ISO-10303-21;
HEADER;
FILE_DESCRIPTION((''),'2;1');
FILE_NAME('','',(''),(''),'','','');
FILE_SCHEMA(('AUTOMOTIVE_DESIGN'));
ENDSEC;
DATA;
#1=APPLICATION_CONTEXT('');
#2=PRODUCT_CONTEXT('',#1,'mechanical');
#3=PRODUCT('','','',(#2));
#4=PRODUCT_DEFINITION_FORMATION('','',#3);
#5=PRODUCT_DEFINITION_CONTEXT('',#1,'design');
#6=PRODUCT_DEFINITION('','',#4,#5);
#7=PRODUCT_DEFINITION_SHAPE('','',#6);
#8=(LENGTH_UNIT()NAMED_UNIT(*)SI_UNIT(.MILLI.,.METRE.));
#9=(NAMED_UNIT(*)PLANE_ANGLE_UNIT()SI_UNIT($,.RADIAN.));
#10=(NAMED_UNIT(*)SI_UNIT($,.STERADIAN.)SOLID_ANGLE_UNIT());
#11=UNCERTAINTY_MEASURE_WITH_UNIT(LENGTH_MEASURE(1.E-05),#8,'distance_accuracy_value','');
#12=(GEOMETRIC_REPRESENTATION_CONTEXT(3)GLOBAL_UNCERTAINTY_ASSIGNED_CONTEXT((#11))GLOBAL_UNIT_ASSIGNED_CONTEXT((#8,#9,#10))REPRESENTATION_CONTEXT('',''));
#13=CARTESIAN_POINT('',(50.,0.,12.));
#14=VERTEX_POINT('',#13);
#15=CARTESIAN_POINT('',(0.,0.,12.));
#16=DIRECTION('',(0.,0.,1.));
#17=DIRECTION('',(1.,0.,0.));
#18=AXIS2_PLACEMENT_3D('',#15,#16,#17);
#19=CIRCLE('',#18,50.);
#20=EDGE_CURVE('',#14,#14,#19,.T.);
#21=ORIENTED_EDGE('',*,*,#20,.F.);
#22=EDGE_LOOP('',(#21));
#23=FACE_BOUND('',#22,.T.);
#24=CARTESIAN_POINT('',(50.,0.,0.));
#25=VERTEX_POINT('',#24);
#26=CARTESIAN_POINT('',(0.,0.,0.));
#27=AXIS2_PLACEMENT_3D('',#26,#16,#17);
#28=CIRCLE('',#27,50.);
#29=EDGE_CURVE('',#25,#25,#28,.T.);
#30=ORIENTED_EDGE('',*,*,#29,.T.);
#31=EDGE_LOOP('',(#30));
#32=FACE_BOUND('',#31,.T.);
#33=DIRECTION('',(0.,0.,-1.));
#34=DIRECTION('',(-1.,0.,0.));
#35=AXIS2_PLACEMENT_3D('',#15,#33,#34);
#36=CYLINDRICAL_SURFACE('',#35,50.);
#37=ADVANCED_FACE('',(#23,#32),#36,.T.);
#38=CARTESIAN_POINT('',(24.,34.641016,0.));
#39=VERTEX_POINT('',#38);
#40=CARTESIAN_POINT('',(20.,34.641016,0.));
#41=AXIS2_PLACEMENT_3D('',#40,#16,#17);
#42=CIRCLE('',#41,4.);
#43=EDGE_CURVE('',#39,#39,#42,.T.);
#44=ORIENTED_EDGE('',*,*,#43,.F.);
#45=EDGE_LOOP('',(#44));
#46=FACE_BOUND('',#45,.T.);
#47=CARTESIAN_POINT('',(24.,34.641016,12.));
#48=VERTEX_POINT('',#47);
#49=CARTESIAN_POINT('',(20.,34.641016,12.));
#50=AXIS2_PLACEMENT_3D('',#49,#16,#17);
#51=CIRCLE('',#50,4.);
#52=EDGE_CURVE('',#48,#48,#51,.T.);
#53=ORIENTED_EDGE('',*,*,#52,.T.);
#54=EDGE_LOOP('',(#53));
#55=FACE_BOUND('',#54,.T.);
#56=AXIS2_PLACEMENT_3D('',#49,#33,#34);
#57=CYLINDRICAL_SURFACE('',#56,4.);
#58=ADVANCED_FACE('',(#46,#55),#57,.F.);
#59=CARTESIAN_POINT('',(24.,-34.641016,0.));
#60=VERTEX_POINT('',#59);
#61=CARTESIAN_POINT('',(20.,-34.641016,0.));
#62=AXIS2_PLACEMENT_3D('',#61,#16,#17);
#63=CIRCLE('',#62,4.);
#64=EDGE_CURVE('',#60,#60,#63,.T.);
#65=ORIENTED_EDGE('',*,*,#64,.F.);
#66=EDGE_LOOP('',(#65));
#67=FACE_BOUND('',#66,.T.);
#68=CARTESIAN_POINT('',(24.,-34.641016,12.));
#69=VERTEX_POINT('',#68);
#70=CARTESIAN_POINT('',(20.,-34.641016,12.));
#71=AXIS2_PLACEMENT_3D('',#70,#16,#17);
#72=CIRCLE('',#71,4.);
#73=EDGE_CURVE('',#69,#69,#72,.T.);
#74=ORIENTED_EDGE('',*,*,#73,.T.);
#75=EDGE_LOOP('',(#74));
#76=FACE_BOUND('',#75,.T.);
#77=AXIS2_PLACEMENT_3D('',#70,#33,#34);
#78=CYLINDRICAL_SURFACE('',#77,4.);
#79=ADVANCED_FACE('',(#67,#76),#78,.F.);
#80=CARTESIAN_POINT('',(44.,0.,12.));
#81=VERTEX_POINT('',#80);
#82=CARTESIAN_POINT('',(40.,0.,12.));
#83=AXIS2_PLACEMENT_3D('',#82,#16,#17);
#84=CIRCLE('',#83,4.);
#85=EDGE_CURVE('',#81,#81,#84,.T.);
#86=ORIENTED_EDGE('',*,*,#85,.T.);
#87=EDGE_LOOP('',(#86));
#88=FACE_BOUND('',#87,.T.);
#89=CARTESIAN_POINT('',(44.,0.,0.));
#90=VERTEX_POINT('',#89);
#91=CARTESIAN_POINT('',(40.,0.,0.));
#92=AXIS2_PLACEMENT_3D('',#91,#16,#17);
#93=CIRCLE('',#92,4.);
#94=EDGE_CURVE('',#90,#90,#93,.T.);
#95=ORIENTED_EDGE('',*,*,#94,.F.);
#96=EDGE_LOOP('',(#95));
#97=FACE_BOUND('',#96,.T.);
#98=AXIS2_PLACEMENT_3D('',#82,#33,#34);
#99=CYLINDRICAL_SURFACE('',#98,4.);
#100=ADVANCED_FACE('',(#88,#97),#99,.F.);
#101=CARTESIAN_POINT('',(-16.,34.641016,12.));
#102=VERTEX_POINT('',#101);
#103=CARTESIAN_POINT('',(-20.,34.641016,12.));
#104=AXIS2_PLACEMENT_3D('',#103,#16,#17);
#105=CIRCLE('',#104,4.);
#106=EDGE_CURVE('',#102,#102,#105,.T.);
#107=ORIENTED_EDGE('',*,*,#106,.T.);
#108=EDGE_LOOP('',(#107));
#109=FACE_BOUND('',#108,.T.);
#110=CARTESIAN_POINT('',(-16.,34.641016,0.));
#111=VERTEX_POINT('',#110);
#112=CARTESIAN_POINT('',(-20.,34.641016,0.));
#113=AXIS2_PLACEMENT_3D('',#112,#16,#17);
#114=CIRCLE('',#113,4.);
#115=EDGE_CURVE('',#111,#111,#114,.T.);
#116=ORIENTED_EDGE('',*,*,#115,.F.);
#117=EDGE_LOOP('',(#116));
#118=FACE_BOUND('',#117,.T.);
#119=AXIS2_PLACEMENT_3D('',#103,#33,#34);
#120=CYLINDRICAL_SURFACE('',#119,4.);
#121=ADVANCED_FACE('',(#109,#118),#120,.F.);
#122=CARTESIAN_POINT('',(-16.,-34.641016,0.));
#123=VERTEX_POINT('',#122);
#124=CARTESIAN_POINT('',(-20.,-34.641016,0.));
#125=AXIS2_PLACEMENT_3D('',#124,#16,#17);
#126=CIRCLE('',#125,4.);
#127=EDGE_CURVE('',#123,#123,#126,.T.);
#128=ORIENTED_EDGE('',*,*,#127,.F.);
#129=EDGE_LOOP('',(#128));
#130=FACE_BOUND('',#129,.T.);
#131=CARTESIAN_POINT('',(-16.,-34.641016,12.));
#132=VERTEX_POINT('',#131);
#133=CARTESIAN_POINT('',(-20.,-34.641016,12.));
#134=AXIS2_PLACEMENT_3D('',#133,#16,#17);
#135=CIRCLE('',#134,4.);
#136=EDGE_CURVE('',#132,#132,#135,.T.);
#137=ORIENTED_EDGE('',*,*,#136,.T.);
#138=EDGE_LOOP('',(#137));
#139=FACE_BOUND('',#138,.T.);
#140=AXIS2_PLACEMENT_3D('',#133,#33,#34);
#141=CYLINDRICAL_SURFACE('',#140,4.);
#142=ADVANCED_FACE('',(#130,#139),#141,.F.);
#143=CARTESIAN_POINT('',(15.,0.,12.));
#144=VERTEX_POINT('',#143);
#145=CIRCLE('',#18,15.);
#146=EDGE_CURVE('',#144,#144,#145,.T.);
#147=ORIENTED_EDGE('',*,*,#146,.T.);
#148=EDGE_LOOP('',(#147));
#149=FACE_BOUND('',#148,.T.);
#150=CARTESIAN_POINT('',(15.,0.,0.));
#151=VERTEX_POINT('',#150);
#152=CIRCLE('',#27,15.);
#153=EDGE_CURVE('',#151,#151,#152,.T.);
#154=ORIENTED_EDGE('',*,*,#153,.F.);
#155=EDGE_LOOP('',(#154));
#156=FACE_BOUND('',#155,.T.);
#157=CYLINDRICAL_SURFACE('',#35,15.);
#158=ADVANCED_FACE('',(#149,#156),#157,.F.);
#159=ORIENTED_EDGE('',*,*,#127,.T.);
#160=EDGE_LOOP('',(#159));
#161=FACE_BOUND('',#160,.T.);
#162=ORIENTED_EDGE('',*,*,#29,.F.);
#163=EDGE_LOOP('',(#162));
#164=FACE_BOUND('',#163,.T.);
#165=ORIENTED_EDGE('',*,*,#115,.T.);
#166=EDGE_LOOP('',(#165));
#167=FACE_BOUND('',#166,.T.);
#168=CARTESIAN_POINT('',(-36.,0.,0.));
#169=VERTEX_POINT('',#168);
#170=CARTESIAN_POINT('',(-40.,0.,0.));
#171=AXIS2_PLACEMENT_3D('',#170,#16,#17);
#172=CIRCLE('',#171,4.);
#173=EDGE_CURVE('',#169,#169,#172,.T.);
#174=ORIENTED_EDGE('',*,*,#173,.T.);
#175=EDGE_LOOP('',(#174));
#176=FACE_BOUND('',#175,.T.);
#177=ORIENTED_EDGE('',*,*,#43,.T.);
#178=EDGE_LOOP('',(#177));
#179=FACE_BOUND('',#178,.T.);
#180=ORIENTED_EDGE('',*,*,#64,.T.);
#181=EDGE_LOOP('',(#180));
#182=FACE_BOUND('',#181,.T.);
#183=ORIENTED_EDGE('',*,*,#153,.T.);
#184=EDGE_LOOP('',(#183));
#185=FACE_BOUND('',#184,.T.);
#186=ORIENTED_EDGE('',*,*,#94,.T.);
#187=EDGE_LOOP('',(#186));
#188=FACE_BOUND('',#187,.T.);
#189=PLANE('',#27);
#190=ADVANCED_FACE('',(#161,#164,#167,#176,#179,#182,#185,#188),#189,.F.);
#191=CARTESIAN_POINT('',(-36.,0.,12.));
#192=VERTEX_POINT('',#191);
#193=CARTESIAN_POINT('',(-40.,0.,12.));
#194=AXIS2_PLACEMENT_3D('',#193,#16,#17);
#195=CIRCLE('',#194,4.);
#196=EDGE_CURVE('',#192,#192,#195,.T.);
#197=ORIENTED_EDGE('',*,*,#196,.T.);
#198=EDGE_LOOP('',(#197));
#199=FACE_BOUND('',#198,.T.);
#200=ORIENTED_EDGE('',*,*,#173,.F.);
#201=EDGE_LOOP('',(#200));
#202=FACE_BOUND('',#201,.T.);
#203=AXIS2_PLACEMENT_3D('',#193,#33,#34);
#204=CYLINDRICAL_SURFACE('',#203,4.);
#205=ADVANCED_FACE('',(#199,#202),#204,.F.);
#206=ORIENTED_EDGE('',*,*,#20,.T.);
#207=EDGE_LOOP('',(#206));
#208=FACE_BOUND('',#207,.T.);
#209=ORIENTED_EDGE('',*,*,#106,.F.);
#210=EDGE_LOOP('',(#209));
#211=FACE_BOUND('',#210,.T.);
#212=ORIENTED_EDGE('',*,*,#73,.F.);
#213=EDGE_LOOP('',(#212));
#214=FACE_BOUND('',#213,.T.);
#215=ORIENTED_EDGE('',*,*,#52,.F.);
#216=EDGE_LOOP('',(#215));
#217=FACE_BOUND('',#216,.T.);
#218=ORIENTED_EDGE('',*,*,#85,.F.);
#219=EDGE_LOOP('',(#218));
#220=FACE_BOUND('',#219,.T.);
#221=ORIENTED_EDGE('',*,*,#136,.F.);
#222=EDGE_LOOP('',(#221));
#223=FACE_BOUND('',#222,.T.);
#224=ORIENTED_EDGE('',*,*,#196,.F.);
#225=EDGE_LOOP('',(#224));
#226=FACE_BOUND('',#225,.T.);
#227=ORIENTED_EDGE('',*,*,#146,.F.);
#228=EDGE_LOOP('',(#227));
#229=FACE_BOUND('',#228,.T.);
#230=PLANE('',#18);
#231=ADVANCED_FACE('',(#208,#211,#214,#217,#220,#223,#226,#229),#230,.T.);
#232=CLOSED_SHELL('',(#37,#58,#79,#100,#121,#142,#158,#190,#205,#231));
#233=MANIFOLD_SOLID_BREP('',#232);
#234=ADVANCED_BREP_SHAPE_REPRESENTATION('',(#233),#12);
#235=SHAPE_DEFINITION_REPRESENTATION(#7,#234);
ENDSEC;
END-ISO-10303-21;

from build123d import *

# Parameters (mm, degrees)
SKETCH_1_R          = 50
SKETCH_1_R_2        = 15
EXTRUDE_1_DEPTH     = 12
SKETCH_2_R          = 4
CUT_EXTRUDE_1_DEPTH = 72.721684308


with BuildPart() as part:
    # 草图1 → 凸台-拉伸1 (new body)
    with BuildSketch(Plane.XY):
        Circle(SKETCH_1_R)
        Circle(SKETCH_1_R_2, mode=Mode.SUBTRACT)
    extrude(amount=EXTRUDE_1_DEPTH)

    # 草图2 → 切除-拉伸1 (cut, through all)
    with BuildSketch(Plane.XY):
        with Locations((40, 0)):
            Circle(SKETCH_2_R)
        with Locations((20, 34.641016)):
            Circle(SKETCH_2_R)
        with Locations((-20, 34.641016)):
            Circle(SKETCH_2_R)
        with Locations((-40, 0)):
            Circle(SKETCH_2_R)
        with Locations((-20, -34.641016)):
            Circle(SKETCH_2_R)
        with Locations((20, -34.641016)):
            Circle(SKETCH_2_R)
    extrude(amount=CUT_EXTRUDE_1_DEPTH, mode=Mode.SUBTRACT)


solid = part.part
